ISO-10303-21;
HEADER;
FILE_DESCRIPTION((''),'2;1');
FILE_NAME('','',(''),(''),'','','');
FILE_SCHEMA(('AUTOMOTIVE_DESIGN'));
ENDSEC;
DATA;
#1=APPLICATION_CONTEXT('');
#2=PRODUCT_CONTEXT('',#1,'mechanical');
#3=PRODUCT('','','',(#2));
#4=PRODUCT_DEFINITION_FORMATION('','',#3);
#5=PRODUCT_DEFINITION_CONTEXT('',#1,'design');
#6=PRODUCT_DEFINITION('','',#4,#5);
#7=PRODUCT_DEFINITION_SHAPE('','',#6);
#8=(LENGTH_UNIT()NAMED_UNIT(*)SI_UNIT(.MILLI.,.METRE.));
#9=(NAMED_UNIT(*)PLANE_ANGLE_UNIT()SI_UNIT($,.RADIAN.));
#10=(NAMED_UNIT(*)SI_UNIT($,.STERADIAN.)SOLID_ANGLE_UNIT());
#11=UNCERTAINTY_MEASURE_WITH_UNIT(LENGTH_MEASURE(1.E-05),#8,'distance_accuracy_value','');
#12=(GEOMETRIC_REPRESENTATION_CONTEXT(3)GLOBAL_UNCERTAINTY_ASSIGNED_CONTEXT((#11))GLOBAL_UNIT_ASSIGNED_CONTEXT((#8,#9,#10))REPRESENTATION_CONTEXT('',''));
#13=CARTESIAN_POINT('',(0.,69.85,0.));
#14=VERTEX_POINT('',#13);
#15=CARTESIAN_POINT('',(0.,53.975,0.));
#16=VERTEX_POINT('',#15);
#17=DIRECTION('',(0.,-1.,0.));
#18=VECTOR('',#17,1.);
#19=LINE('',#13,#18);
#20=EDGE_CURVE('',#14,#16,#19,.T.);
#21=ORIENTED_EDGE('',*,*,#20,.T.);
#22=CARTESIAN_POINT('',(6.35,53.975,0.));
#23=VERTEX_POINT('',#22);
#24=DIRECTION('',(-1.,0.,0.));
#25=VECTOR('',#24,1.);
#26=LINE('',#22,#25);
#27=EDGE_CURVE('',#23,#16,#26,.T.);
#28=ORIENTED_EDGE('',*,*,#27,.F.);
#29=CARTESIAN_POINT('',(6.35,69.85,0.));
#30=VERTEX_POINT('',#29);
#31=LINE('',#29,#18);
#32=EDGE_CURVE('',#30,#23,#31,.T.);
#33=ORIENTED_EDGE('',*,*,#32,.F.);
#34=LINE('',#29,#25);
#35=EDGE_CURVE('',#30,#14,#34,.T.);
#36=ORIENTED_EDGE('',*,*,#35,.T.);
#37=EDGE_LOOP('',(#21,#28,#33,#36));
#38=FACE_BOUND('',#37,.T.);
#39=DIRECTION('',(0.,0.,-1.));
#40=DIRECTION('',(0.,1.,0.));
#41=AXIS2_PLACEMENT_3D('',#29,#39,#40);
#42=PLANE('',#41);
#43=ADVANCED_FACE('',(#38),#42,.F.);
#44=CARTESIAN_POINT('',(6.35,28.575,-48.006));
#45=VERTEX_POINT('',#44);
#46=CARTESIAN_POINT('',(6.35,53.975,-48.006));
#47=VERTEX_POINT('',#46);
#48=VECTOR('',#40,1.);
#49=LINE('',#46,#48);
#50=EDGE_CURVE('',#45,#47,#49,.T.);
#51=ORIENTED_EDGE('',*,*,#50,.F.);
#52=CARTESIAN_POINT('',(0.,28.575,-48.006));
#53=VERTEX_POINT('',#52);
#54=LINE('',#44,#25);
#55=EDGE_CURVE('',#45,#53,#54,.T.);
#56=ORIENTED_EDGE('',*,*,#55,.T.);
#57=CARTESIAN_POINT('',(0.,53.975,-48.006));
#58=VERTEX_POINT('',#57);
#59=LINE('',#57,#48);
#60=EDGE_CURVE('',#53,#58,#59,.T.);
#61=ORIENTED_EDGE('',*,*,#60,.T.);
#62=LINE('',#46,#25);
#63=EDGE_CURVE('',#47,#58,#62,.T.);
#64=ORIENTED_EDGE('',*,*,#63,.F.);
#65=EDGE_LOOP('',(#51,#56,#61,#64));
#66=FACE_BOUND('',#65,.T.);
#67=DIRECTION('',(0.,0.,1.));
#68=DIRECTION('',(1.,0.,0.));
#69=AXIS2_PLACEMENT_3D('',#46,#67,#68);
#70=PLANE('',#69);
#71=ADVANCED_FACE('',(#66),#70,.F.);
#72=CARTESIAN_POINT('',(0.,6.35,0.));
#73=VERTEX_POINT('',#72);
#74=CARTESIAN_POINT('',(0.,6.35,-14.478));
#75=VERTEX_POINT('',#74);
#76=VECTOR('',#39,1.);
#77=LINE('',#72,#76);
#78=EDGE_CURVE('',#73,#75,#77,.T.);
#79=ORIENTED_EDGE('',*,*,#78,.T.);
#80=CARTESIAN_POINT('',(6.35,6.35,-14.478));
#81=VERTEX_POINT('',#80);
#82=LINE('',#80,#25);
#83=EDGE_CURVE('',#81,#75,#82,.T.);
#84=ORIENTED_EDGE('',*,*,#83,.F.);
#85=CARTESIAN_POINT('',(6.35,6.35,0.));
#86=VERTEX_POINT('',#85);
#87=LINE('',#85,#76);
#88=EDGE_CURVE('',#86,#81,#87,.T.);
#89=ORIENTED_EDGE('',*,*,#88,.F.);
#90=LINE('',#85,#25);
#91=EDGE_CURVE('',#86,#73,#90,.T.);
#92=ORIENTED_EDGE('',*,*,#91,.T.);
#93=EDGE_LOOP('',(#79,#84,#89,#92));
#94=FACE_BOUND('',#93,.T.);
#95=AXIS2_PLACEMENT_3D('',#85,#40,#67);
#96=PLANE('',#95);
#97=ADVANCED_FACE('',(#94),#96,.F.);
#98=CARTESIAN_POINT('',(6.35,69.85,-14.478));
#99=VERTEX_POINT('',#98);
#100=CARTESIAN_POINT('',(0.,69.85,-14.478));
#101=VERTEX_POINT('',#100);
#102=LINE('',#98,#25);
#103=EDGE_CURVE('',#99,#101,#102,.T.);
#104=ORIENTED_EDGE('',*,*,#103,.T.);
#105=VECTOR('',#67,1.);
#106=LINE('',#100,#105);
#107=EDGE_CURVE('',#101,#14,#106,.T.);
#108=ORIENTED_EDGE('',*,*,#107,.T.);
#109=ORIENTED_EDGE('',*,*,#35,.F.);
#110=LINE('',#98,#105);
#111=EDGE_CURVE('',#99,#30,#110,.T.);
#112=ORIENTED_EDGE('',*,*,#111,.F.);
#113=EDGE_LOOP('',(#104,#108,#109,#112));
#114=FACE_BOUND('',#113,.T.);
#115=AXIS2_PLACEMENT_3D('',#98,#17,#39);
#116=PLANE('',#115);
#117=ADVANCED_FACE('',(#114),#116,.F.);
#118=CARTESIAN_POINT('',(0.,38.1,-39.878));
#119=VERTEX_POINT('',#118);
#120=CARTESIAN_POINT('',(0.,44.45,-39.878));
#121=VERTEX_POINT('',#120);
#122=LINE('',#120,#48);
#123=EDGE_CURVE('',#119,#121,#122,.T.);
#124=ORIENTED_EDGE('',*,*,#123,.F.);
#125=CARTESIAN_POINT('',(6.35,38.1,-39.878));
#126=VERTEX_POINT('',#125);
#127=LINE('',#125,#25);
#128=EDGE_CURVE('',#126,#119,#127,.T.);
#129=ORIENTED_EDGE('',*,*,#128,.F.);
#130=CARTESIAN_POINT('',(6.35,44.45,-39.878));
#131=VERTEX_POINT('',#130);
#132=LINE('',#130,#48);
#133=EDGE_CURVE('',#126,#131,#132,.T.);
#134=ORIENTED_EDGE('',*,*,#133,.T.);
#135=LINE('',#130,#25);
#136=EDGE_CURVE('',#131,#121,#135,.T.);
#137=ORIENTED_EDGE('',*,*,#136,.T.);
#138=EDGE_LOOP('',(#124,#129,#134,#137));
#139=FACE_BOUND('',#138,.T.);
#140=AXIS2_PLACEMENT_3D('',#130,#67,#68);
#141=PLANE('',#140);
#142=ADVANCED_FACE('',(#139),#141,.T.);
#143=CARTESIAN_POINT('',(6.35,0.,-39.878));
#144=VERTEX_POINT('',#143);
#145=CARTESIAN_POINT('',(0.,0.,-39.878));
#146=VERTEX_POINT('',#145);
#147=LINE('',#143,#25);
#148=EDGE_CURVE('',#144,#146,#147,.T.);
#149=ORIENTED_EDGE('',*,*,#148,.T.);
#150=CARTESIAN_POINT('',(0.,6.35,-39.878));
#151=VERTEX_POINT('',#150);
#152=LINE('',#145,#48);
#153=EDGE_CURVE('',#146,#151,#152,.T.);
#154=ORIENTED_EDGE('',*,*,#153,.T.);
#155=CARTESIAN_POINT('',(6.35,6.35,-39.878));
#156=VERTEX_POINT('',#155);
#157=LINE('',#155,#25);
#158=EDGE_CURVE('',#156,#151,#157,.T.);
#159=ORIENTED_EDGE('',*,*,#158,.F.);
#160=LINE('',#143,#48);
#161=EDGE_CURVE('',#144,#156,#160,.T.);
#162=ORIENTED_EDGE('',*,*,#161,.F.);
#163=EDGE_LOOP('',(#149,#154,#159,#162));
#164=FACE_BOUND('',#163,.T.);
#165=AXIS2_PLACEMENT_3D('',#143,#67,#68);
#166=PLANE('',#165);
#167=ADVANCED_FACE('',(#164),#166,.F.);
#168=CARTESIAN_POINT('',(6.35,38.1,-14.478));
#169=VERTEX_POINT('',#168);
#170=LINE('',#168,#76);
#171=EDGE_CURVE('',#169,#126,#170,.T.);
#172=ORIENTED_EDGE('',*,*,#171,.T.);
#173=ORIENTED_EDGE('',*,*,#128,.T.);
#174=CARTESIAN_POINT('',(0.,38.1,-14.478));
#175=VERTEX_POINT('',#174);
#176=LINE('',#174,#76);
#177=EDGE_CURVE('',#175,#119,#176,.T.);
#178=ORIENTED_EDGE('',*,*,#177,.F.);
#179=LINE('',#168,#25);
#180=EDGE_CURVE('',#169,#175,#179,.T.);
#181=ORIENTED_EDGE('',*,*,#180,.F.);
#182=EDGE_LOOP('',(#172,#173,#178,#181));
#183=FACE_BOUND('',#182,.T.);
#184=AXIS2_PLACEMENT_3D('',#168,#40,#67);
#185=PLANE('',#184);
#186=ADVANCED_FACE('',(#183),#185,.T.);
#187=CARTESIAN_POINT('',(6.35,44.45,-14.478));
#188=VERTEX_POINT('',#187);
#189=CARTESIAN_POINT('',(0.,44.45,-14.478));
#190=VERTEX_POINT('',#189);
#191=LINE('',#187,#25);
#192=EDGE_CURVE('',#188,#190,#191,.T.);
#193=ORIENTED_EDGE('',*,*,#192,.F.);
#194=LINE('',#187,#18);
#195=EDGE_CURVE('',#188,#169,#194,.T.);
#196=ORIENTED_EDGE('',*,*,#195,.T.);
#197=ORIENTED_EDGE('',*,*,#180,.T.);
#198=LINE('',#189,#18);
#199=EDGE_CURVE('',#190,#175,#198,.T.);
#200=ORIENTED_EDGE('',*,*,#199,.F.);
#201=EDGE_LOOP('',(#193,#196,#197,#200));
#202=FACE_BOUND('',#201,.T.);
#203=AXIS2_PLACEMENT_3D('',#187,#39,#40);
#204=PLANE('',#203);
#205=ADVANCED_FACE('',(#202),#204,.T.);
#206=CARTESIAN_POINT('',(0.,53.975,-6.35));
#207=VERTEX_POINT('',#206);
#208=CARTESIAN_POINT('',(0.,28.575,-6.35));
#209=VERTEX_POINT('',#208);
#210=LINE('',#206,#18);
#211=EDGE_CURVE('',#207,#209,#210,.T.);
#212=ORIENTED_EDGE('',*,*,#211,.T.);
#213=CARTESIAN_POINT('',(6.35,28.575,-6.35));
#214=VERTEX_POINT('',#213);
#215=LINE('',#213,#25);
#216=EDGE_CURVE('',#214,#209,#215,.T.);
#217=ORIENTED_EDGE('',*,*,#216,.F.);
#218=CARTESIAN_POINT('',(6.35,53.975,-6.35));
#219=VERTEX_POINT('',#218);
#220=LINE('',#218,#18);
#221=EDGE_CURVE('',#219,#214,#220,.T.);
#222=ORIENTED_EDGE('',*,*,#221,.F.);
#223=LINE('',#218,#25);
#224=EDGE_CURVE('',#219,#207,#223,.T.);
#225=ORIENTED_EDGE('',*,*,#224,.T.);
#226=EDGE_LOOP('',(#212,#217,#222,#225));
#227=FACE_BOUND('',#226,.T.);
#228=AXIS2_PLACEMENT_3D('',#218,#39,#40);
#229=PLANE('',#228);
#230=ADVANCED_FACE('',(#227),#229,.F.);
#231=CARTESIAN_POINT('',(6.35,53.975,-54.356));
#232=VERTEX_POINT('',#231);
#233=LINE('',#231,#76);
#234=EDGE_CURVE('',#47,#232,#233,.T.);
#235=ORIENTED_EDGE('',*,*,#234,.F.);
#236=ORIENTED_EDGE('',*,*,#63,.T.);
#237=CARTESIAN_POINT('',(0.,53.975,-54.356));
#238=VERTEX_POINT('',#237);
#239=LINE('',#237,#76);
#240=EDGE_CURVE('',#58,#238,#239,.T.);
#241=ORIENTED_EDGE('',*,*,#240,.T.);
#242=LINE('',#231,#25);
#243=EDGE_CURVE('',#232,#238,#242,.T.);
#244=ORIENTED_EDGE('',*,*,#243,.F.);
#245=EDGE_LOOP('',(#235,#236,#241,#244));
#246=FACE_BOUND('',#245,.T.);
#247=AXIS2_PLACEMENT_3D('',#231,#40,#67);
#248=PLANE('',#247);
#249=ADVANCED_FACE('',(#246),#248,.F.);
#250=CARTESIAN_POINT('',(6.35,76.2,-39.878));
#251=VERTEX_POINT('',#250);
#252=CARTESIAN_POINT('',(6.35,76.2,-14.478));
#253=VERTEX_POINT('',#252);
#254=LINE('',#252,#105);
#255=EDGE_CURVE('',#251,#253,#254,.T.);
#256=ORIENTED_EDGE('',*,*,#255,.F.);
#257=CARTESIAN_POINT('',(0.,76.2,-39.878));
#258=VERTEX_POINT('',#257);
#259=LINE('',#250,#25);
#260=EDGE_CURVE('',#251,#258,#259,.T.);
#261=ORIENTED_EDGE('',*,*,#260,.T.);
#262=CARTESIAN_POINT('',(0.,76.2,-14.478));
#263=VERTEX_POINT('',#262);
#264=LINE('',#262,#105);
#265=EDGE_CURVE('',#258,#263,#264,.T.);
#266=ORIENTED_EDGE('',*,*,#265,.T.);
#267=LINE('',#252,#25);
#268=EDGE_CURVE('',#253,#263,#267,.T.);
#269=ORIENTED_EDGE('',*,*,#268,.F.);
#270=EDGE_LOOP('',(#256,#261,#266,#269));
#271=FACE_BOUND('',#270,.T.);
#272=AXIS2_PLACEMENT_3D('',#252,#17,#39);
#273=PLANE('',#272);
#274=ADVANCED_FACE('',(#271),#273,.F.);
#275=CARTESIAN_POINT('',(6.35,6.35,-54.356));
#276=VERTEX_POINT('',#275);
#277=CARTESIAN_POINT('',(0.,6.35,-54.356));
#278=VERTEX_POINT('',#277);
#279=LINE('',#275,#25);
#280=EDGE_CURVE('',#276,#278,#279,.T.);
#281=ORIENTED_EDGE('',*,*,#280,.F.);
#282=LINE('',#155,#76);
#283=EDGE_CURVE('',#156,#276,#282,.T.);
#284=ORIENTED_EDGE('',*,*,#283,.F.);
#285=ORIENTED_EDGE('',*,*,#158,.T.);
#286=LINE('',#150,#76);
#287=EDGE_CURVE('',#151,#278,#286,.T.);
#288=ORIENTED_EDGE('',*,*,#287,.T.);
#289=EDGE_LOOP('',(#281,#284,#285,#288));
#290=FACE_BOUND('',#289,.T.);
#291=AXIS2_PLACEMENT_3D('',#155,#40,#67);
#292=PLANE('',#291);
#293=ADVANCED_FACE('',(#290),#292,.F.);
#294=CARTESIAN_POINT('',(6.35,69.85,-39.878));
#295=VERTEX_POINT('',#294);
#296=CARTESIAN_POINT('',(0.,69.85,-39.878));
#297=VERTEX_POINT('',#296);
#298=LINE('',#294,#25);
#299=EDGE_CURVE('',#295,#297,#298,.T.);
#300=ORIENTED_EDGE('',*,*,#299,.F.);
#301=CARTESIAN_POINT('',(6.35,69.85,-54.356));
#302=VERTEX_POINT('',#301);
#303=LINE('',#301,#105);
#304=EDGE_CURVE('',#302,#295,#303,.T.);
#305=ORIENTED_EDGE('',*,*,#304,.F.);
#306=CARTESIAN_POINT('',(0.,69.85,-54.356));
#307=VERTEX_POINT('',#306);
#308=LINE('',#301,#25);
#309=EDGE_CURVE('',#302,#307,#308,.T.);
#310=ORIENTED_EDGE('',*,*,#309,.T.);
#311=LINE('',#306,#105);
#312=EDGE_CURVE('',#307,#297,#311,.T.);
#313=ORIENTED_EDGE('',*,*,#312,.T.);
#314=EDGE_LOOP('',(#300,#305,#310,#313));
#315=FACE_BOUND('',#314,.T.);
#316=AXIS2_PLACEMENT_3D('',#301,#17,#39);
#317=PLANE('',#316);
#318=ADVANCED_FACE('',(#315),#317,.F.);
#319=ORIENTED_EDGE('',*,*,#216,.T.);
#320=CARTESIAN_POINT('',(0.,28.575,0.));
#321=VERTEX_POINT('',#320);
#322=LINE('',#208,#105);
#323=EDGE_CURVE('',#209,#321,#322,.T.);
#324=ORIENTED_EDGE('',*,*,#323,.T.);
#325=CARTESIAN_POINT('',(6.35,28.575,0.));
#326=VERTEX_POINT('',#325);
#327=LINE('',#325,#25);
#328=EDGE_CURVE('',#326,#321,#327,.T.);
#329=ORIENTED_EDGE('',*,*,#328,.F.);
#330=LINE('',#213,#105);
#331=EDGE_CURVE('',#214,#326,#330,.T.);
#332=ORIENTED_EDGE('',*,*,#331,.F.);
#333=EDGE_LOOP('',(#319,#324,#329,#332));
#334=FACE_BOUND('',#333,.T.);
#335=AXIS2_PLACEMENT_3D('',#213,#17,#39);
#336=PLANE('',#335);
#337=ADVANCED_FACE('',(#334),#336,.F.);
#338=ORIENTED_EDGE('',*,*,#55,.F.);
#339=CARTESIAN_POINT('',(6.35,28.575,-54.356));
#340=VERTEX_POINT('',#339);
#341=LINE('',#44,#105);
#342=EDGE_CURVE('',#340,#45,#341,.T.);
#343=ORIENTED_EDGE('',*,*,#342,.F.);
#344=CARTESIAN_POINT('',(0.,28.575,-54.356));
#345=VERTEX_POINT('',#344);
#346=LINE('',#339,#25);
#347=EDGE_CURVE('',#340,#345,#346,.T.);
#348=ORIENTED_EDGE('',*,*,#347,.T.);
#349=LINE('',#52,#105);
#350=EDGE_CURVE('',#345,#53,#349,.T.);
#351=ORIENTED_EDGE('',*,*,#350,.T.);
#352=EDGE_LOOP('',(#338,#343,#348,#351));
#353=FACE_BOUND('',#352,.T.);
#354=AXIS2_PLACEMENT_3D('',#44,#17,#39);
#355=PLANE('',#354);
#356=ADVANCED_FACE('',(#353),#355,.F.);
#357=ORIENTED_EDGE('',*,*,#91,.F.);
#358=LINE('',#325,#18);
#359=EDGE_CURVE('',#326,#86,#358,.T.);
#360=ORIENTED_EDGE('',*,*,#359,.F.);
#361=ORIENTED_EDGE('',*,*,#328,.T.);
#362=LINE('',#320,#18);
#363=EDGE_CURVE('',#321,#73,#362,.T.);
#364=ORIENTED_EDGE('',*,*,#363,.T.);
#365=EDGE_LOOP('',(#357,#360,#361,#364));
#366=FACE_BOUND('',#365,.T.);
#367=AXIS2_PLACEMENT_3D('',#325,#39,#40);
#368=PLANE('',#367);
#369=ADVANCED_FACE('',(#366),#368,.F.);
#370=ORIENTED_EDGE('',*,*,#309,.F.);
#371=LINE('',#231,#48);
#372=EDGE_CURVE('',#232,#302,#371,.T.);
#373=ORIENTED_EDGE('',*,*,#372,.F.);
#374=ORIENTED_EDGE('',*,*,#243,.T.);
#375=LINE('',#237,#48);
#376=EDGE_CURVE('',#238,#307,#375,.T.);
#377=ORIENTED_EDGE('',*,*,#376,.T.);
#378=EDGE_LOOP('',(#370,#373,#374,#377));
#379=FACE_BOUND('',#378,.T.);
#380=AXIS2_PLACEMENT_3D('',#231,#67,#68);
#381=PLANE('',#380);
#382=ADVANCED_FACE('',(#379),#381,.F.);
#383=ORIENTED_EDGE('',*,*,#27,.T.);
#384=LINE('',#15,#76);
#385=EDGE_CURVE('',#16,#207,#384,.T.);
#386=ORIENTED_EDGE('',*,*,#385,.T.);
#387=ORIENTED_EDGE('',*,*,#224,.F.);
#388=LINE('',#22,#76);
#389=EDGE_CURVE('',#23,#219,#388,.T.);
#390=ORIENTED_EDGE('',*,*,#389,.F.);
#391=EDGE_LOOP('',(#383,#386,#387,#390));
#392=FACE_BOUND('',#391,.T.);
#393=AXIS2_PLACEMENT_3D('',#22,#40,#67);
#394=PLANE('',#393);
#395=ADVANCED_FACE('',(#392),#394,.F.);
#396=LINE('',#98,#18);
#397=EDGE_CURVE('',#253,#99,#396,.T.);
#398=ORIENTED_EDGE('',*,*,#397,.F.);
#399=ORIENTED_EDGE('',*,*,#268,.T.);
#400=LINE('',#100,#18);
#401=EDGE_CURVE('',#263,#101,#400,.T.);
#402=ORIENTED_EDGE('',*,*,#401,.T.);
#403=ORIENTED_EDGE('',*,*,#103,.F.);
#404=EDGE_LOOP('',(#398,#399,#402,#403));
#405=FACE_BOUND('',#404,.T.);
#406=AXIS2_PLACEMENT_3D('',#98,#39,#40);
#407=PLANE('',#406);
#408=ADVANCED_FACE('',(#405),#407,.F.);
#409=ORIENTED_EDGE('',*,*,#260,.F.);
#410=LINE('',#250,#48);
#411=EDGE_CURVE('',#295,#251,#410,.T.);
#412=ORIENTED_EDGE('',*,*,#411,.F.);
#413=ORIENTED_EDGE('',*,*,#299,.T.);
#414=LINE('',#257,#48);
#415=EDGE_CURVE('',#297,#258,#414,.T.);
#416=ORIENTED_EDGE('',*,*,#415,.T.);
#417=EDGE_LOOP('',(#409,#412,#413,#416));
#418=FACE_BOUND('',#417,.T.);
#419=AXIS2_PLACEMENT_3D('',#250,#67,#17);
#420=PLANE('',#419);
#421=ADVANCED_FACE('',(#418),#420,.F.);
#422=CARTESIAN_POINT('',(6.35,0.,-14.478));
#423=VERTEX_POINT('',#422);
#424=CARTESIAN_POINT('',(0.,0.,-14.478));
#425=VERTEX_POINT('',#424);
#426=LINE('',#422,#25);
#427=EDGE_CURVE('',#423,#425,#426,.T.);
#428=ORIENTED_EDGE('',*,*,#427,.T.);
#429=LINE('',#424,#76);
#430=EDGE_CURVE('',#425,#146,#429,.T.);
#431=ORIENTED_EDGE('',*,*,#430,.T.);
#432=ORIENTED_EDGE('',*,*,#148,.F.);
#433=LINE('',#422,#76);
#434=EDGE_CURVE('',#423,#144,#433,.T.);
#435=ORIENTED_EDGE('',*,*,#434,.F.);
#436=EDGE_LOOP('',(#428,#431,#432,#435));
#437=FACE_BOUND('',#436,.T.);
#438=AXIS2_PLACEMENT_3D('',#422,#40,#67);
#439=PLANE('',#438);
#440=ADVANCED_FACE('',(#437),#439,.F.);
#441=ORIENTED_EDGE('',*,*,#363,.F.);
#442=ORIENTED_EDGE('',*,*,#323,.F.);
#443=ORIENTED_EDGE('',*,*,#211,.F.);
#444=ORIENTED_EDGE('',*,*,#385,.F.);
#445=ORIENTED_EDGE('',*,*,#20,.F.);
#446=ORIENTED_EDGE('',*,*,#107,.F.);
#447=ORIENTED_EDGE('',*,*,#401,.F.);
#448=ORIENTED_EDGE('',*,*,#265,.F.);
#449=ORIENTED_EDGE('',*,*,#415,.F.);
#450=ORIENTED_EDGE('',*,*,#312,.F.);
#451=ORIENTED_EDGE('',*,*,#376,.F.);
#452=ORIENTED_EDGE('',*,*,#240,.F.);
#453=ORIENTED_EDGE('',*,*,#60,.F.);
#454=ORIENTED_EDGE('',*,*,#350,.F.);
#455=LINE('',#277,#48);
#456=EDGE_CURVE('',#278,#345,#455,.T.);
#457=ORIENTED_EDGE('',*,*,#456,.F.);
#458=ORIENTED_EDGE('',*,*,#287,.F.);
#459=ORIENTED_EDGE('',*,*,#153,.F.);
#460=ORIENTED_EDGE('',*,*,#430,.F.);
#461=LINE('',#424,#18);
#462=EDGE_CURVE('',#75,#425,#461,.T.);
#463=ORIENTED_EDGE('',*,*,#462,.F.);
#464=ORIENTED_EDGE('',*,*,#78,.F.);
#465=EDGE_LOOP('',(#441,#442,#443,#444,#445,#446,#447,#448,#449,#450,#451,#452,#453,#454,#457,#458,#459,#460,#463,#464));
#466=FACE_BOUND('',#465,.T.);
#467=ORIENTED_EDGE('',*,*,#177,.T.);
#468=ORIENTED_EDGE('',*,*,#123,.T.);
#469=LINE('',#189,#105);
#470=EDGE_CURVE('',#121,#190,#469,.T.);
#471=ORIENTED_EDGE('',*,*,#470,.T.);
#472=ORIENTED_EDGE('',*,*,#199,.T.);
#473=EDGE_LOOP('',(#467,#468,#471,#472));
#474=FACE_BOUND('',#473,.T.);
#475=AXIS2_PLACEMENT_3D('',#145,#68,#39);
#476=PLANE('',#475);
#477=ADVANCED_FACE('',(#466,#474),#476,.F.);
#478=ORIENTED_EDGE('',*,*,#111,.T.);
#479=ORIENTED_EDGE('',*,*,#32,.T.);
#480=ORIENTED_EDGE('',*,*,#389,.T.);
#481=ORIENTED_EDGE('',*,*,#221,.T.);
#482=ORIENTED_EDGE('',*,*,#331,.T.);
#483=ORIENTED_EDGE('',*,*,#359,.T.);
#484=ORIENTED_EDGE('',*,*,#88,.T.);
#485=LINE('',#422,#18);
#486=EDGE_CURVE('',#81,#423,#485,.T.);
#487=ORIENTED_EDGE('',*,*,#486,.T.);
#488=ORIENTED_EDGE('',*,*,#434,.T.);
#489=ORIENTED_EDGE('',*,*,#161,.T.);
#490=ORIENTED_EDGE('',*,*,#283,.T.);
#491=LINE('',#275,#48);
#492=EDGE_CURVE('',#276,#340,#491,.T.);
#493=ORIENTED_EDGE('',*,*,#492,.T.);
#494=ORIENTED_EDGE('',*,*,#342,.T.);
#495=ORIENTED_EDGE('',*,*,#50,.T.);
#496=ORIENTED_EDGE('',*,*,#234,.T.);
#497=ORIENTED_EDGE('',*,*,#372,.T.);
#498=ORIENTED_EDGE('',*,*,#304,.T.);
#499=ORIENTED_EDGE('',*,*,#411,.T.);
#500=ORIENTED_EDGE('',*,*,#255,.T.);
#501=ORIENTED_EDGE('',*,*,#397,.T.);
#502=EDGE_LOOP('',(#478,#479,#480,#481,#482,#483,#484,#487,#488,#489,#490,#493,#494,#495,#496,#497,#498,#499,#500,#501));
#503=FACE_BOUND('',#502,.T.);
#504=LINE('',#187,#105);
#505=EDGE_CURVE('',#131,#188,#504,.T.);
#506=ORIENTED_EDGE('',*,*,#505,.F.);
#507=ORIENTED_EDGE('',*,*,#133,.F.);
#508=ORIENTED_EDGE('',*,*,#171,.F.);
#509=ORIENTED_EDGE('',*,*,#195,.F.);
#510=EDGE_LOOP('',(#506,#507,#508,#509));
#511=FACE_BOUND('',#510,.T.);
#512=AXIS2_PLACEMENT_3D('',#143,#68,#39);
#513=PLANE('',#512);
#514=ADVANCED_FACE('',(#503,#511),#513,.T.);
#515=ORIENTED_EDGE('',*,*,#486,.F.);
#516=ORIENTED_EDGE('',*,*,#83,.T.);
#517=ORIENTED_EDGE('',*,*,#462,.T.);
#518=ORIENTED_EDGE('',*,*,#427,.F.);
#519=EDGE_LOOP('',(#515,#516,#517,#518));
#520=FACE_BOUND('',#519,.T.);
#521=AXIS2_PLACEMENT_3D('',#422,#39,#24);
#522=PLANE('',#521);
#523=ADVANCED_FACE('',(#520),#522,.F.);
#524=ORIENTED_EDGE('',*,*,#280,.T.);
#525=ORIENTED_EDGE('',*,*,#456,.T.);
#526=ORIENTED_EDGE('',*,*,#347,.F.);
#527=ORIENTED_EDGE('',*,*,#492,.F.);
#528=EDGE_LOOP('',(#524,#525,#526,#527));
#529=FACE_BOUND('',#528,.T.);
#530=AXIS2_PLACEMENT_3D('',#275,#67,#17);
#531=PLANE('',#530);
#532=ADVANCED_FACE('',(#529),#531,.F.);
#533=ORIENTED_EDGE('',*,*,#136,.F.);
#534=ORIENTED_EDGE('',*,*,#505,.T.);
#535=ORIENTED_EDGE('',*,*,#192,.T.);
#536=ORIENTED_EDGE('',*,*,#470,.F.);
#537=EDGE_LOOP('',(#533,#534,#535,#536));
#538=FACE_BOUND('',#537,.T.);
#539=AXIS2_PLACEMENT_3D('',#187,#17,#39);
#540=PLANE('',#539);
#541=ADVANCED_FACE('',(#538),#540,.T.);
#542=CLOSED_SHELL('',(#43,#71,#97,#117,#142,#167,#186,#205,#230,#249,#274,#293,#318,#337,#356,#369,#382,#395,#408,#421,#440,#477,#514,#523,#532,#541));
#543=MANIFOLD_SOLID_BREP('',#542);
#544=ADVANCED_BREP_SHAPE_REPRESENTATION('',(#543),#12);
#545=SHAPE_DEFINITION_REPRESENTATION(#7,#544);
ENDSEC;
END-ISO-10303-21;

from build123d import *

# Parameters (mm, degrees)
SKETCH1_W      = 25.4
SKETCH1_H      = 6.35
EXTRUDE1_DEPTH = 6.35


with BuildPart() as part:
    # Sketch1 → Extrude1 (new body)
    with BuildSketch(Plane(origin=(0, 0, 0), x_dir=(0, 0, -1), z_dir=(1, 0, 0))):
        Polygon((14.478, 0), (14.478, 6.35), (0, 6.35), (0, 28.575), (6.35, 28.575), (6.35, 53.975), (0, 53.975), (0, 69.85), (14.478, 69.85), (14.478, 76.2), (39.878, 76.2), (39.878, 69.85), (54.356, 69.85), (54.356, 53.975), (48.006, 53.975), (48.006, 28.575), (54.356, 28.575), (54.356, 6.35), (39.878, 6.35), (39.878, 0), align=None)
        with Locations((27.178, 41.275)):
            Rectangle(SKETCH1_W, SKETCH1_H, mode=Mode.SUBTRACT)
    extrude(amount=EXTRUDE1_DEPTH)


solid = part.part
